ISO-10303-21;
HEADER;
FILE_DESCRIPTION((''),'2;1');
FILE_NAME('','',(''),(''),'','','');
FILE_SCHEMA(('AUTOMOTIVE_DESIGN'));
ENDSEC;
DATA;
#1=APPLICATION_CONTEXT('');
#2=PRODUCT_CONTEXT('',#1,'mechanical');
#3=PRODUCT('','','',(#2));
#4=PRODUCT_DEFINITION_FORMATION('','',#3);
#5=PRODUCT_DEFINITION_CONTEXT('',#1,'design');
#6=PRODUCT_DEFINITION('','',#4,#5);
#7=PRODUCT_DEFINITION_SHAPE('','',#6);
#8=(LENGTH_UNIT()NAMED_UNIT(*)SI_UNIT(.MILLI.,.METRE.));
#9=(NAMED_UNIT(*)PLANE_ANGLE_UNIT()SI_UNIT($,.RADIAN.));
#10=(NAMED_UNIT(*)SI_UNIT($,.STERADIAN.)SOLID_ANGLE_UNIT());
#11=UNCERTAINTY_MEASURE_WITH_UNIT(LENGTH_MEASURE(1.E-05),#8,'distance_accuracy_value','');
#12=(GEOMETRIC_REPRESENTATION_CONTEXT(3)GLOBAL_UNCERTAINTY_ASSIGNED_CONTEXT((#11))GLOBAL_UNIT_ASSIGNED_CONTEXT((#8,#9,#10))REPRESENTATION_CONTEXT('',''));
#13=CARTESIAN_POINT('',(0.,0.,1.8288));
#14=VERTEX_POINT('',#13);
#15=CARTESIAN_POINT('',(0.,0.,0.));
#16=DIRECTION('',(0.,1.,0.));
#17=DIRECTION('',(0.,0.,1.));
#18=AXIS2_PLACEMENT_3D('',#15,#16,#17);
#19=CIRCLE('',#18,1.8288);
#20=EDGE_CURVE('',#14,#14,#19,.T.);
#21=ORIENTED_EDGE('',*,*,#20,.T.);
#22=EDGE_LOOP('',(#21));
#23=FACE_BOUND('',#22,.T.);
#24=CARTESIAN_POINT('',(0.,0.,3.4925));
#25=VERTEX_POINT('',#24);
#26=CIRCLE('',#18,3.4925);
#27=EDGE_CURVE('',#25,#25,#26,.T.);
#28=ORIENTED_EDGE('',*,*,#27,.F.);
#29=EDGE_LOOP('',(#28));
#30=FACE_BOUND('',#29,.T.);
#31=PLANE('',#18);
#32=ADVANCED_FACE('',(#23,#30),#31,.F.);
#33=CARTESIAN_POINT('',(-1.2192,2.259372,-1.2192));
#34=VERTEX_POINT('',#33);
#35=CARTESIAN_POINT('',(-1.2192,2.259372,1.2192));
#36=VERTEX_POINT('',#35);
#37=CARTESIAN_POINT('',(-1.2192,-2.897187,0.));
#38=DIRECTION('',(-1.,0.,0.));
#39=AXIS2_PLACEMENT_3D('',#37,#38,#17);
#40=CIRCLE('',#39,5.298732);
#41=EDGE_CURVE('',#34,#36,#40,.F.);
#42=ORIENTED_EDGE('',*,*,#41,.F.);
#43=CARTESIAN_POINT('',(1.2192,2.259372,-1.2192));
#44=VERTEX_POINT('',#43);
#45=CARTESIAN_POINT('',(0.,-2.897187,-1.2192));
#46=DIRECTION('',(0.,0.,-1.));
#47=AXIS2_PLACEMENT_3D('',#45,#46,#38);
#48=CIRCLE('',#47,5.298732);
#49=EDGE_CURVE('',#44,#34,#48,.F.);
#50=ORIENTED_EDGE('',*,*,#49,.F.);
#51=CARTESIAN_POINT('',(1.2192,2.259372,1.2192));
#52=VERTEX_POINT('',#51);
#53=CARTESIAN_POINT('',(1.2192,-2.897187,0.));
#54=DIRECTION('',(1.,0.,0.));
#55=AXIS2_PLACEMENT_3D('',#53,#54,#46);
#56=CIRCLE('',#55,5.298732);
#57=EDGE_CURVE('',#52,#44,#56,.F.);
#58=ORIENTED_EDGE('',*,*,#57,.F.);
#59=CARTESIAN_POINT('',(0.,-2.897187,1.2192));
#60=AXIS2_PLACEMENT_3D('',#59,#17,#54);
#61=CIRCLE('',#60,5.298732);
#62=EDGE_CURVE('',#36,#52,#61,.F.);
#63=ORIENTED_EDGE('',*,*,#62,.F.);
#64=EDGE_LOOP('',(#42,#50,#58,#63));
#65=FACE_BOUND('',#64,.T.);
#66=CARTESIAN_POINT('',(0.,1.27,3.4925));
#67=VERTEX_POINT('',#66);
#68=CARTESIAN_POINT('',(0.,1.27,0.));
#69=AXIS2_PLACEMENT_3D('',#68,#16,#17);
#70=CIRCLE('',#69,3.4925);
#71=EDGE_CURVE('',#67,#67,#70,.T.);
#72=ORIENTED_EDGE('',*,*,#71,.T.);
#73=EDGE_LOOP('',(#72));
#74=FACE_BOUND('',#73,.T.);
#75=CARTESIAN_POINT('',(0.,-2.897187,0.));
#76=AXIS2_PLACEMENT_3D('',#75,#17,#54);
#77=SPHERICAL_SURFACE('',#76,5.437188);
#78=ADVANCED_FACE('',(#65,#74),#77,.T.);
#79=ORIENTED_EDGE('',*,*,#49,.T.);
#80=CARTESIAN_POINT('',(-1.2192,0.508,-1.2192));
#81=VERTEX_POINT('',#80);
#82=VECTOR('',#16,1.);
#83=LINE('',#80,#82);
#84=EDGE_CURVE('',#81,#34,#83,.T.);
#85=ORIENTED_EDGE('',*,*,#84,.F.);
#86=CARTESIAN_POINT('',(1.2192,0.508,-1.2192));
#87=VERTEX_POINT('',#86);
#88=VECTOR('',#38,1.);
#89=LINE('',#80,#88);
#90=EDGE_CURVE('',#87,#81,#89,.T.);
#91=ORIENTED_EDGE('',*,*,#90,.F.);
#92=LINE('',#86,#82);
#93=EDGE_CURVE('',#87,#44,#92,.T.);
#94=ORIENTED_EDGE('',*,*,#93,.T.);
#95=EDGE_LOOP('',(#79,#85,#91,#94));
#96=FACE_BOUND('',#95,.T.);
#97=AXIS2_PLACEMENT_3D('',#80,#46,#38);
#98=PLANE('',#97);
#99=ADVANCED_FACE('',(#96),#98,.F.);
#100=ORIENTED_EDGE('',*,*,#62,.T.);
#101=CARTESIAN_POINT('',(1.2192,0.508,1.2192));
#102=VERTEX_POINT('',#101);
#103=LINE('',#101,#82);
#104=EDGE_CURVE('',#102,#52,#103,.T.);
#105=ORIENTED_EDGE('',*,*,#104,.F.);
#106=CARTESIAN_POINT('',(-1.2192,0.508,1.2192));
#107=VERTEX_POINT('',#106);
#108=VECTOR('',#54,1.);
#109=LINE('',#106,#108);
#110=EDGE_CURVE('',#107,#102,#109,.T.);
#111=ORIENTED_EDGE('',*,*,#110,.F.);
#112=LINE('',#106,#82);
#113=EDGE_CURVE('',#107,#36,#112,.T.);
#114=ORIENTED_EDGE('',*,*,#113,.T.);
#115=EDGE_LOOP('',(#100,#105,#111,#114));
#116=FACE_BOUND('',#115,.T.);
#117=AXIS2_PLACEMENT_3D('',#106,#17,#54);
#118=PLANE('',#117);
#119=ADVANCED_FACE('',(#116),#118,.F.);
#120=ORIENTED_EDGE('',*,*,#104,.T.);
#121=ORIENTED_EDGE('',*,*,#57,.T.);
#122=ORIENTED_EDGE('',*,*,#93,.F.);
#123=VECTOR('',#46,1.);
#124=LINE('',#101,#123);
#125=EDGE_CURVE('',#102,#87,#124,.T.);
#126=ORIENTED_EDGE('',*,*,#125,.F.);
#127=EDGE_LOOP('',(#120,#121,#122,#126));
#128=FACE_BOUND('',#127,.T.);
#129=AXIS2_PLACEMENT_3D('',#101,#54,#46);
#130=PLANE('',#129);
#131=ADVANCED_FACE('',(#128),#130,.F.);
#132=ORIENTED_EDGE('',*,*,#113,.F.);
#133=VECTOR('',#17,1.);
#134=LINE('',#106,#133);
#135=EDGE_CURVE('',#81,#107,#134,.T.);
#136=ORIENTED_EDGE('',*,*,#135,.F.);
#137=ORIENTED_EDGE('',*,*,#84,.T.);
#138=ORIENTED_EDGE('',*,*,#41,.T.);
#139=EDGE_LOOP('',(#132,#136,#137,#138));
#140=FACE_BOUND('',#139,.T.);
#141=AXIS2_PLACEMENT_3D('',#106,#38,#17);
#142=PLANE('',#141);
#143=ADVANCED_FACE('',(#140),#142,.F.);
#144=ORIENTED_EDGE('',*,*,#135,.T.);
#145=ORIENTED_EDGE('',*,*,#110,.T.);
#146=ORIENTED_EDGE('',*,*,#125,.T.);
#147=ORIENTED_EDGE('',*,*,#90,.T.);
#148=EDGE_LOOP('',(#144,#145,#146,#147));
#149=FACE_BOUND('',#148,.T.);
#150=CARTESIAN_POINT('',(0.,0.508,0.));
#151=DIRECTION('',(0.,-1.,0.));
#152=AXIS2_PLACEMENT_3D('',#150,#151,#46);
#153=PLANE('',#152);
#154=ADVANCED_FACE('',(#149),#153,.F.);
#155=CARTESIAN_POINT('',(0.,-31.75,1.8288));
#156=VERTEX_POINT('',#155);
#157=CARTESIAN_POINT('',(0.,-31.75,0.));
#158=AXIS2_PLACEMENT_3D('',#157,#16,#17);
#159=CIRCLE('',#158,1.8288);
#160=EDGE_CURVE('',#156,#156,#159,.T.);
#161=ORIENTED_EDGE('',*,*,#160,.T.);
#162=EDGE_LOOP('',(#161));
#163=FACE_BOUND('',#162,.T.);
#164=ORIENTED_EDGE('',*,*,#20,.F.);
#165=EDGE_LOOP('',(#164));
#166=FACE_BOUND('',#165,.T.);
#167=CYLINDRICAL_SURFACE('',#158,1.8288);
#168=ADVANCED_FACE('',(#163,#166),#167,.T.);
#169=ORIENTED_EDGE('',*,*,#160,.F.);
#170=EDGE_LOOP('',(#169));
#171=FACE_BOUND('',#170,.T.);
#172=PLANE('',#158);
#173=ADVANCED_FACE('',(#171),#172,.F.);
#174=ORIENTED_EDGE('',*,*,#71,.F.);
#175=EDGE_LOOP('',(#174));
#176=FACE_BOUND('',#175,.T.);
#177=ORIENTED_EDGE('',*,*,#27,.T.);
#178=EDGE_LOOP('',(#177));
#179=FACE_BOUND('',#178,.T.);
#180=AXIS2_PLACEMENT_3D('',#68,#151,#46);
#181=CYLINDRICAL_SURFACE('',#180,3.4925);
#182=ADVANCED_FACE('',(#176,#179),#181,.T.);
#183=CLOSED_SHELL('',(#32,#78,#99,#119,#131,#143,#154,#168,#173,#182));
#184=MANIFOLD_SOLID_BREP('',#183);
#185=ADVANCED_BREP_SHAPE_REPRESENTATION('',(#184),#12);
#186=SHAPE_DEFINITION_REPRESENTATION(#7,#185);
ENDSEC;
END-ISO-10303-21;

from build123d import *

# Parameters (mm, degrees)
SKETCH1_R           = 1.8288
BOSS_EXTRUDE1_DEPTH = 31.75
SKETCH2_R           = 3.4925
BOSS_EXTRUDE2_DEPTH = 1.27
DOME1_FACE_RADIUS   = 3.4925
DOME1_HEIGHT        = 1.27
SKETCH3_W           = 2.4384
SKETCH3_H           = 2.4384
CUT_EXTRUDE1_DEPTH  = 2.032


with BuildPart() as part:
    # Sketch1 → Boss-Extrude1 (new body)
    with BuildSketch(Plane(origin=(0, 0, 0), x_dir=(1, 0, 0), z_dir=(0, 1, 0))):
        with Locations(Location((0, 0, 0), (0, 0, 270))):
            Circle(SKETCH1_R)
    extrude(amount=-BOSS_EXTRUDE1_DEPTH)

    # Sketch2 → Boss-Extrude2 (add)
    with BuildSketch(Plane(origin=(0, 0, 0), x_dir=(1, 0, 0), z_dir=(0, 1, 0))):
        with Locations(Location((0, 0, 0), (0, 0, 270))):
            Circle(SKETCH2_R)
    extrude(amount=BOSS_EXTRUDE2_DEPTH)

    # Dome1: a dome of height H over a round flat face of radius A is a cap of a sphere of radius (A * A + H * H) / (2 * H)
    dome1_r = (DOME1_FACE_RADIUS * DOME1_FACE_RADIUS + DOME1_HEIGHT * DOME1_HEIGHT) / (2 * DOME1_HEIGHT)
    dome1_base = Plane((0, 1.27, 0), z_dir=(0, 1, 0))
    with Locations(dome1_base.offset(DOME1_HEIGHT - dome1_r)):
        dome1_ball = Sphere(dome1_r, mode=Mode.PRIVATE)
    add(split(dome1_ball, bisect_by=dome1_base, keep=Keep.TOP, mode=Mode.PRIVATE))

    # Sketch3 → Cut-Extrude1 (cut)
    with BuildSketch(Plane(origin=(0, 2.54, 0), x_dir=(1, 0, 0), z_dir=(0, 1, 0))):
        Rectangle(SKETCH3_W, SKETCH3_H)
    extrude(amount=-CUT_EXTRUDE1_DEPTH, mode=Mode.SUBTRACT)


solid = part.part
